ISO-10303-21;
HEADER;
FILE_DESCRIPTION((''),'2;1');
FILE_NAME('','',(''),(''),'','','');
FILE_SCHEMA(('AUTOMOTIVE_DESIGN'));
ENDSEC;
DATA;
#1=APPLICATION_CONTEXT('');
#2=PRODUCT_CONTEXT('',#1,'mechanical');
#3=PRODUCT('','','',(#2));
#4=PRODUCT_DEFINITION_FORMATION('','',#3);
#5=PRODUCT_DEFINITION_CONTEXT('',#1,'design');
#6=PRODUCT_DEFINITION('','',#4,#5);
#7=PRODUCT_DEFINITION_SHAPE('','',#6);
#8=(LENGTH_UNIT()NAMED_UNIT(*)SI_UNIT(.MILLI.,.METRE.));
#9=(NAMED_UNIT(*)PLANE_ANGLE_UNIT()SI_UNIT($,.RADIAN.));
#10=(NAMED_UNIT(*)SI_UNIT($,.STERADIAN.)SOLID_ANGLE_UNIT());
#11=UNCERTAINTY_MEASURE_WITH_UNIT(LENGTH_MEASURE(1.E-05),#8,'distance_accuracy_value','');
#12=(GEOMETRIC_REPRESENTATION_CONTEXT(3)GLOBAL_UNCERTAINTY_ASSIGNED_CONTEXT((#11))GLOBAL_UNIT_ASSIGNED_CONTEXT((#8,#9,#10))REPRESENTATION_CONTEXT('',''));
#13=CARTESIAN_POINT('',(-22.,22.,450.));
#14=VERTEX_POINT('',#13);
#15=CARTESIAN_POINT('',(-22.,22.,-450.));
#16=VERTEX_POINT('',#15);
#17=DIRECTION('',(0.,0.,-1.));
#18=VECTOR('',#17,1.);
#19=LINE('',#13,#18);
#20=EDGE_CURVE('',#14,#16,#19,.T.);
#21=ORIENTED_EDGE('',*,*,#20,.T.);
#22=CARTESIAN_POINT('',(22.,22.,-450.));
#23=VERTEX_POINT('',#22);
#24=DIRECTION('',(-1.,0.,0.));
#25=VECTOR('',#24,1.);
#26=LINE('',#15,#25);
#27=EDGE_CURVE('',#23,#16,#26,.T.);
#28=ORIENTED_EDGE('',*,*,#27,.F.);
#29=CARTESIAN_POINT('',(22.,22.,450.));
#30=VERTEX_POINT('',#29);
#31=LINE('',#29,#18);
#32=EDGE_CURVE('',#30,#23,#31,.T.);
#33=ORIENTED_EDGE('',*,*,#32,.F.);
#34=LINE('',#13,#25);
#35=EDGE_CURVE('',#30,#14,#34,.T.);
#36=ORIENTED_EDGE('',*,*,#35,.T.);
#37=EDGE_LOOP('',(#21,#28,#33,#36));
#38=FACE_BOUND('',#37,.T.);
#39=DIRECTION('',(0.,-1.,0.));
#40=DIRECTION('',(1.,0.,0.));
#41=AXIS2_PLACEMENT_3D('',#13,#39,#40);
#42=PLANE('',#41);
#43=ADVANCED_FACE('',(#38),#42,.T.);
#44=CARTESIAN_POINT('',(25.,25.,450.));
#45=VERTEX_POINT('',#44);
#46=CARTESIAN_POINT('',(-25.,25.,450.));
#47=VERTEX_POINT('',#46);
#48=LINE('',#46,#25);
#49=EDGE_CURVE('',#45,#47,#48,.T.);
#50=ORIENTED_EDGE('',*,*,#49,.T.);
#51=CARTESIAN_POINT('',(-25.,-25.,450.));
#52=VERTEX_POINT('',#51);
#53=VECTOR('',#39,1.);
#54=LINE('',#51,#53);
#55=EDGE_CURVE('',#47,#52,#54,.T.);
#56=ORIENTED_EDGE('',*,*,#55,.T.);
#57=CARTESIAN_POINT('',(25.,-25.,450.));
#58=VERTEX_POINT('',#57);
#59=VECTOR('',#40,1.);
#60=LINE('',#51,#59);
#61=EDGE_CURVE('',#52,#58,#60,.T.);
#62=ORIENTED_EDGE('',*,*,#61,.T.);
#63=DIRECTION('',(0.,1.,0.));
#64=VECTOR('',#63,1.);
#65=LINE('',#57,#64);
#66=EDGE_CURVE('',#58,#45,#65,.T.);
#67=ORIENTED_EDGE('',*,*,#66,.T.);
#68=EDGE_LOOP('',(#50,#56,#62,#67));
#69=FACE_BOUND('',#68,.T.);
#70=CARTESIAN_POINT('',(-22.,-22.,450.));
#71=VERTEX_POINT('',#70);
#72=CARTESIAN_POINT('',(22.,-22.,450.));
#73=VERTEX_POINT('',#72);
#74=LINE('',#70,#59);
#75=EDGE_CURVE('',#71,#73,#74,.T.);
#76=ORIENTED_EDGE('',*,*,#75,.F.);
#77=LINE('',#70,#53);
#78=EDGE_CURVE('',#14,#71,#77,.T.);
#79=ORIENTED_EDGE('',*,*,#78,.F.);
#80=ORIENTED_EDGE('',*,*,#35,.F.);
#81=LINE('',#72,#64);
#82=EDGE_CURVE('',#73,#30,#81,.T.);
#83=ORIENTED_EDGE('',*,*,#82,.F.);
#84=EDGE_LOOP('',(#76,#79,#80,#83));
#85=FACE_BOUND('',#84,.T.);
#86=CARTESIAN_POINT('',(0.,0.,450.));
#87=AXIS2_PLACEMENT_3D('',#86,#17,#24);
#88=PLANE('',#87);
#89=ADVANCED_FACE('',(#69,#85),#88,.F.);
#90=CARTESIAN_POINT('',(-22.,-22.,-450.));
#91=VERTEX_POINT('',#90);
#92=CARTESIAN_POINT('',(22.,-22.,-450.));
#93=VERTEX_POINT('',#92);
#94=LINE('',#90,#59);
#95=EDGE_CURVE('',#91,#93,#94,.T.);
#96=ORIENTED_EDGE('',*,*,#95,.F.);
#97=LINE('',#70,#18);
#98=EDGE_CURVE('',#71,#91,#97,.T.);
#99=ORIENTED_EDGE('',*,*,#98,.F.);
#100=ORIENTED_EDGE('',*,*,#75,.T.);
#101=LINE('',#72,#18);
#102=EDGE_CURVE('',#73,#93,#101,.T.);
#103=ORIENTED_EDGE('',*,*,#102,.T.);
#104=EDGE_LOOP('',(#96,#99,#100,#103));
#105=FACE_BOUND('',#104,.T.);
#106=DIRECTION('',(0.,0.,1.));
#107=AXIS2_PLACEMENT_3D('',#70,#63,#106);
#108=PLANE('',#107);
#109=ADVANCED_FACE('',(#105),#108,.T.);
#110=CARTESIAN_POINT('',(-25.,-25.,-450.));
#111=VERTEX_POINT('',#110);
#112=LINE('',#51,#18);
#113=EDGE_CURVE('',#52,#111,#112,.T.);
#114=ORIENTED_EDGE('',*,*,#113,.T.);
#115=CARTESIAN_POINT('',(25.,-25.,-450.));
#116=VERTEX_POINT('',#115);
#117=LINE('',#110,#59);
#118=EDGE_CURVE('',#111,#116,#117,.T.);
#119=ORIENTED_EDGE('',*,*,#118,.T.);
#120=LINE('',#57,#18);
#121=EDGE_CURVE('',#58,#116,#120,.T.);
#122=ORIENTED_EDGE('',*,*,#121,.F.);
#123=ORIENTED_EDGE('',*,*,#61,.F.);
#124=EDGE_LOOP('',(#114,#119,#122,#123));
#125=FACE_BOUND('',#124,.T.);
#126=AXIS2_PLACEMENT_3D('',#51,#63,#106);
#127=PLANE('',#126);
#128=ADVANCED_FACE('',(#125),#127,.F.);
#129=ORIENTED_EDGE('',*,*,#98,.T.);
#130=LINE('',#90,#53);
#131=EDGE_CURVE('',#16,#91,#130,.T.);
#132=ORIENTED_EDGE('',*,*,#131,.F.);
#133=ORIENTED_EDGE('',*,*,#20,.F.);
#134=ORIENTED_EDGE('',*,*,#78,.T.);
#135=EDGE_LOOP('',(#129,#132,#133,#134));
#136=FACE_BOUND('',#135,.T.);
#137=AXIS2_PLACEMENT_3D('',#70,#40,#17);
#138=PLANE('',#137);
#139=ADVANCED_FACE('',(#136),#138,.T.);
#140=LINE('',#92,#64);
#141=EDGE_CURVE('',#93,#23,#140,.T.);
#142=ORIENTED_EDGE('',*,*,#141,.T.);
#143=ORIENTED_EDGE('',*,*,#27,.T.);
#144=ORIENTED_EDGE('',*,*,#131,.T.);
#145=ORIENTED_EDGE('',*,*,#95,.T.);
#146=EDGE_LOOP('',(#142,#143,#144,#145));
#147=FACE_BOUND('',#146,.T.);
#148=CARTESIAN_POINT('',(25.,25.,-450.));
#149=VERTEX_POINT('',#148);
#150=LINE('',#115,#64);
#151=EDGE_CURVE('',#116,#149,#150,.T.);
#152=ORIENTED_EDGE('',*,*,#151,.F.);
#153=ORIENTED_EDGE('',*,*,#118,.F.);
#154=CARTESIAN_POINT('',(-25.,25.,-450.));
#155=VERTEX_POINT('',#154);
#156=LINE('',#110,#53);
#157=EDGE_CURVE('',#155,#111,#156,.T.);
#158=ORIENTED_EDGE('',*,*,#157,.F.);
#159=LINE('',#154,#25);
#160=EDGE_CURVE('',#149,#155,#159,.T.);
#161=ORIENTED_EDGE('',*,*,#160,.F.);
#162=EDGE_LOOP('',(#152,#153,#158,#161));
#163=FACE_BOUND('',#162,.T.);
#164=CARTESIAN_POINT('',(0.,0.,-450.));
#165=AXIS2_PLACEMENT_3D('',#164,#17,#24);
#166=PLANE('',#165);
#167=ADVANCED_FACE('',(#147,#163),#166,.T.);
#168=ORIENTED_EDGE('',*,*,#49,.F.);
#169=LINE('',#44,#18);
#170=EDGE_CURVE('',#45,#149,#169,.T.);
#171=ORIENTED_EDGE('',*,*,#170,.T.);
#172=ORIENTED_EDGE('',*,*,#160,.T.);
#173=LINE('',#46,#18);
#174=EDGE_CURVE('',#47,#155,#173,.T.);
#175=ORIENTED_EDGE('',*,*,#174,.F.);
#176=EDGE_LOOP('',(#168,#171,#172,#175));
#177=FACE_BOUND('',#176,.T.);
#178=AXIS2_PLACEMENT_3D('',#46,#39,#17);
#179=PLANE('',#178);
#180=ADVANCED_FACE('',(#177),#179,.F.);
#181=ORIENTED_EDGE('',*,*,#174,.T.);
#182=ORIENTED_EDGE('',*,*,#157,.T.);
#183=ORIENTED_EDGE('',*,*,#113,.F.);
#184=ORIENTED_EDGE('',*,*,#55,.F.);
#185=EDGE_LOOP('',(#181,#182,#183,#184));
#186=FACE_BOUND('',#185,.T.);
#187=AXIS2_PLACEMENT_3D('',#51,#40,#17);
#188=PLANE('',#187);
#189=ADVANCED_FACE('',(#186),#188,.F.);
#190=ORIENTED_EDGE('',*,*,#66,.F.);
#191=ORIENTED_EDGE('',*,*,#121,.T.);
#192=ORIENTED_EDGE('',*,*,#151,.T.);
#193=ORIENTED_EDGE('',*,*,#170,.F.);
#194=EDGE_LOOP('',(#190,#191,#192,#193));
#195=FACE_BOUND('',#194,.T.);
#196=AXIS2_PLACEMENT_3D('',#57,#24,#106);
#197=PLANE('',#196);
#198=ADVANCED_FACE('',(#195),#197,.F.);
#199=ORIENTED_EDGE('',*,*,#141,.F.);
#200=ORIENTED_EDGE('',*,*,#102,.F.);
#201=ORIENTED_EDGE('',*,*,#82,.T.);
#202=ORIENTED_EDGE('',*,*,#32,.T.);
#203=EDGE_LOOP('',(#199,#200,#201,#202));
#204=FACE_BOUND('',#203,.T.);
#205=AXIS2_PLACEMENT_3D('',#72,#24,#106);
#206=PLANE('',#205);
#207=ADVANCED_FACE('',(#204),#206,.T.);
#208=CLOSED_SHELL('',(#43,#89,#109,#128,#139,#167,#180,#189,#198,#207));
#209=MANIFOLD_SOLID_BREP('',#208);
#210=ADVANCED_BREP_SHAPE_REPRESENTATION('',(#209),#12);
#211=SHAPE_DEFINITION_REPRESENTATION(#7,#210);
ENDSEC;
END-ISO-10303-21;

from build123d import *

# Parameters (mm, degrees)
CROQUIS1_W              = 50
CROQUIS1_H              = 50
CROQUIS1_W_2            = 44
CROQUIS1_H_2            = 44
SALIENTE_EXTRUIR1_DEPTH = 450


with BuildPart() as part:
    # Croquis1 → Saliente-Extruir1 (new, symmetric)
    with BuildSketch(Plane.XY):
        Rectangle(CROQUIS1_W, CROQUIS1_H)
        Rectangle(CROQUIS1_W_2, CROQUIS1_H_2, mode=Mode.SUBTRACT)
    extrude(amount=SALIENTE_EXTRUIR1_DEPTH, both=True)


solid = part.part
